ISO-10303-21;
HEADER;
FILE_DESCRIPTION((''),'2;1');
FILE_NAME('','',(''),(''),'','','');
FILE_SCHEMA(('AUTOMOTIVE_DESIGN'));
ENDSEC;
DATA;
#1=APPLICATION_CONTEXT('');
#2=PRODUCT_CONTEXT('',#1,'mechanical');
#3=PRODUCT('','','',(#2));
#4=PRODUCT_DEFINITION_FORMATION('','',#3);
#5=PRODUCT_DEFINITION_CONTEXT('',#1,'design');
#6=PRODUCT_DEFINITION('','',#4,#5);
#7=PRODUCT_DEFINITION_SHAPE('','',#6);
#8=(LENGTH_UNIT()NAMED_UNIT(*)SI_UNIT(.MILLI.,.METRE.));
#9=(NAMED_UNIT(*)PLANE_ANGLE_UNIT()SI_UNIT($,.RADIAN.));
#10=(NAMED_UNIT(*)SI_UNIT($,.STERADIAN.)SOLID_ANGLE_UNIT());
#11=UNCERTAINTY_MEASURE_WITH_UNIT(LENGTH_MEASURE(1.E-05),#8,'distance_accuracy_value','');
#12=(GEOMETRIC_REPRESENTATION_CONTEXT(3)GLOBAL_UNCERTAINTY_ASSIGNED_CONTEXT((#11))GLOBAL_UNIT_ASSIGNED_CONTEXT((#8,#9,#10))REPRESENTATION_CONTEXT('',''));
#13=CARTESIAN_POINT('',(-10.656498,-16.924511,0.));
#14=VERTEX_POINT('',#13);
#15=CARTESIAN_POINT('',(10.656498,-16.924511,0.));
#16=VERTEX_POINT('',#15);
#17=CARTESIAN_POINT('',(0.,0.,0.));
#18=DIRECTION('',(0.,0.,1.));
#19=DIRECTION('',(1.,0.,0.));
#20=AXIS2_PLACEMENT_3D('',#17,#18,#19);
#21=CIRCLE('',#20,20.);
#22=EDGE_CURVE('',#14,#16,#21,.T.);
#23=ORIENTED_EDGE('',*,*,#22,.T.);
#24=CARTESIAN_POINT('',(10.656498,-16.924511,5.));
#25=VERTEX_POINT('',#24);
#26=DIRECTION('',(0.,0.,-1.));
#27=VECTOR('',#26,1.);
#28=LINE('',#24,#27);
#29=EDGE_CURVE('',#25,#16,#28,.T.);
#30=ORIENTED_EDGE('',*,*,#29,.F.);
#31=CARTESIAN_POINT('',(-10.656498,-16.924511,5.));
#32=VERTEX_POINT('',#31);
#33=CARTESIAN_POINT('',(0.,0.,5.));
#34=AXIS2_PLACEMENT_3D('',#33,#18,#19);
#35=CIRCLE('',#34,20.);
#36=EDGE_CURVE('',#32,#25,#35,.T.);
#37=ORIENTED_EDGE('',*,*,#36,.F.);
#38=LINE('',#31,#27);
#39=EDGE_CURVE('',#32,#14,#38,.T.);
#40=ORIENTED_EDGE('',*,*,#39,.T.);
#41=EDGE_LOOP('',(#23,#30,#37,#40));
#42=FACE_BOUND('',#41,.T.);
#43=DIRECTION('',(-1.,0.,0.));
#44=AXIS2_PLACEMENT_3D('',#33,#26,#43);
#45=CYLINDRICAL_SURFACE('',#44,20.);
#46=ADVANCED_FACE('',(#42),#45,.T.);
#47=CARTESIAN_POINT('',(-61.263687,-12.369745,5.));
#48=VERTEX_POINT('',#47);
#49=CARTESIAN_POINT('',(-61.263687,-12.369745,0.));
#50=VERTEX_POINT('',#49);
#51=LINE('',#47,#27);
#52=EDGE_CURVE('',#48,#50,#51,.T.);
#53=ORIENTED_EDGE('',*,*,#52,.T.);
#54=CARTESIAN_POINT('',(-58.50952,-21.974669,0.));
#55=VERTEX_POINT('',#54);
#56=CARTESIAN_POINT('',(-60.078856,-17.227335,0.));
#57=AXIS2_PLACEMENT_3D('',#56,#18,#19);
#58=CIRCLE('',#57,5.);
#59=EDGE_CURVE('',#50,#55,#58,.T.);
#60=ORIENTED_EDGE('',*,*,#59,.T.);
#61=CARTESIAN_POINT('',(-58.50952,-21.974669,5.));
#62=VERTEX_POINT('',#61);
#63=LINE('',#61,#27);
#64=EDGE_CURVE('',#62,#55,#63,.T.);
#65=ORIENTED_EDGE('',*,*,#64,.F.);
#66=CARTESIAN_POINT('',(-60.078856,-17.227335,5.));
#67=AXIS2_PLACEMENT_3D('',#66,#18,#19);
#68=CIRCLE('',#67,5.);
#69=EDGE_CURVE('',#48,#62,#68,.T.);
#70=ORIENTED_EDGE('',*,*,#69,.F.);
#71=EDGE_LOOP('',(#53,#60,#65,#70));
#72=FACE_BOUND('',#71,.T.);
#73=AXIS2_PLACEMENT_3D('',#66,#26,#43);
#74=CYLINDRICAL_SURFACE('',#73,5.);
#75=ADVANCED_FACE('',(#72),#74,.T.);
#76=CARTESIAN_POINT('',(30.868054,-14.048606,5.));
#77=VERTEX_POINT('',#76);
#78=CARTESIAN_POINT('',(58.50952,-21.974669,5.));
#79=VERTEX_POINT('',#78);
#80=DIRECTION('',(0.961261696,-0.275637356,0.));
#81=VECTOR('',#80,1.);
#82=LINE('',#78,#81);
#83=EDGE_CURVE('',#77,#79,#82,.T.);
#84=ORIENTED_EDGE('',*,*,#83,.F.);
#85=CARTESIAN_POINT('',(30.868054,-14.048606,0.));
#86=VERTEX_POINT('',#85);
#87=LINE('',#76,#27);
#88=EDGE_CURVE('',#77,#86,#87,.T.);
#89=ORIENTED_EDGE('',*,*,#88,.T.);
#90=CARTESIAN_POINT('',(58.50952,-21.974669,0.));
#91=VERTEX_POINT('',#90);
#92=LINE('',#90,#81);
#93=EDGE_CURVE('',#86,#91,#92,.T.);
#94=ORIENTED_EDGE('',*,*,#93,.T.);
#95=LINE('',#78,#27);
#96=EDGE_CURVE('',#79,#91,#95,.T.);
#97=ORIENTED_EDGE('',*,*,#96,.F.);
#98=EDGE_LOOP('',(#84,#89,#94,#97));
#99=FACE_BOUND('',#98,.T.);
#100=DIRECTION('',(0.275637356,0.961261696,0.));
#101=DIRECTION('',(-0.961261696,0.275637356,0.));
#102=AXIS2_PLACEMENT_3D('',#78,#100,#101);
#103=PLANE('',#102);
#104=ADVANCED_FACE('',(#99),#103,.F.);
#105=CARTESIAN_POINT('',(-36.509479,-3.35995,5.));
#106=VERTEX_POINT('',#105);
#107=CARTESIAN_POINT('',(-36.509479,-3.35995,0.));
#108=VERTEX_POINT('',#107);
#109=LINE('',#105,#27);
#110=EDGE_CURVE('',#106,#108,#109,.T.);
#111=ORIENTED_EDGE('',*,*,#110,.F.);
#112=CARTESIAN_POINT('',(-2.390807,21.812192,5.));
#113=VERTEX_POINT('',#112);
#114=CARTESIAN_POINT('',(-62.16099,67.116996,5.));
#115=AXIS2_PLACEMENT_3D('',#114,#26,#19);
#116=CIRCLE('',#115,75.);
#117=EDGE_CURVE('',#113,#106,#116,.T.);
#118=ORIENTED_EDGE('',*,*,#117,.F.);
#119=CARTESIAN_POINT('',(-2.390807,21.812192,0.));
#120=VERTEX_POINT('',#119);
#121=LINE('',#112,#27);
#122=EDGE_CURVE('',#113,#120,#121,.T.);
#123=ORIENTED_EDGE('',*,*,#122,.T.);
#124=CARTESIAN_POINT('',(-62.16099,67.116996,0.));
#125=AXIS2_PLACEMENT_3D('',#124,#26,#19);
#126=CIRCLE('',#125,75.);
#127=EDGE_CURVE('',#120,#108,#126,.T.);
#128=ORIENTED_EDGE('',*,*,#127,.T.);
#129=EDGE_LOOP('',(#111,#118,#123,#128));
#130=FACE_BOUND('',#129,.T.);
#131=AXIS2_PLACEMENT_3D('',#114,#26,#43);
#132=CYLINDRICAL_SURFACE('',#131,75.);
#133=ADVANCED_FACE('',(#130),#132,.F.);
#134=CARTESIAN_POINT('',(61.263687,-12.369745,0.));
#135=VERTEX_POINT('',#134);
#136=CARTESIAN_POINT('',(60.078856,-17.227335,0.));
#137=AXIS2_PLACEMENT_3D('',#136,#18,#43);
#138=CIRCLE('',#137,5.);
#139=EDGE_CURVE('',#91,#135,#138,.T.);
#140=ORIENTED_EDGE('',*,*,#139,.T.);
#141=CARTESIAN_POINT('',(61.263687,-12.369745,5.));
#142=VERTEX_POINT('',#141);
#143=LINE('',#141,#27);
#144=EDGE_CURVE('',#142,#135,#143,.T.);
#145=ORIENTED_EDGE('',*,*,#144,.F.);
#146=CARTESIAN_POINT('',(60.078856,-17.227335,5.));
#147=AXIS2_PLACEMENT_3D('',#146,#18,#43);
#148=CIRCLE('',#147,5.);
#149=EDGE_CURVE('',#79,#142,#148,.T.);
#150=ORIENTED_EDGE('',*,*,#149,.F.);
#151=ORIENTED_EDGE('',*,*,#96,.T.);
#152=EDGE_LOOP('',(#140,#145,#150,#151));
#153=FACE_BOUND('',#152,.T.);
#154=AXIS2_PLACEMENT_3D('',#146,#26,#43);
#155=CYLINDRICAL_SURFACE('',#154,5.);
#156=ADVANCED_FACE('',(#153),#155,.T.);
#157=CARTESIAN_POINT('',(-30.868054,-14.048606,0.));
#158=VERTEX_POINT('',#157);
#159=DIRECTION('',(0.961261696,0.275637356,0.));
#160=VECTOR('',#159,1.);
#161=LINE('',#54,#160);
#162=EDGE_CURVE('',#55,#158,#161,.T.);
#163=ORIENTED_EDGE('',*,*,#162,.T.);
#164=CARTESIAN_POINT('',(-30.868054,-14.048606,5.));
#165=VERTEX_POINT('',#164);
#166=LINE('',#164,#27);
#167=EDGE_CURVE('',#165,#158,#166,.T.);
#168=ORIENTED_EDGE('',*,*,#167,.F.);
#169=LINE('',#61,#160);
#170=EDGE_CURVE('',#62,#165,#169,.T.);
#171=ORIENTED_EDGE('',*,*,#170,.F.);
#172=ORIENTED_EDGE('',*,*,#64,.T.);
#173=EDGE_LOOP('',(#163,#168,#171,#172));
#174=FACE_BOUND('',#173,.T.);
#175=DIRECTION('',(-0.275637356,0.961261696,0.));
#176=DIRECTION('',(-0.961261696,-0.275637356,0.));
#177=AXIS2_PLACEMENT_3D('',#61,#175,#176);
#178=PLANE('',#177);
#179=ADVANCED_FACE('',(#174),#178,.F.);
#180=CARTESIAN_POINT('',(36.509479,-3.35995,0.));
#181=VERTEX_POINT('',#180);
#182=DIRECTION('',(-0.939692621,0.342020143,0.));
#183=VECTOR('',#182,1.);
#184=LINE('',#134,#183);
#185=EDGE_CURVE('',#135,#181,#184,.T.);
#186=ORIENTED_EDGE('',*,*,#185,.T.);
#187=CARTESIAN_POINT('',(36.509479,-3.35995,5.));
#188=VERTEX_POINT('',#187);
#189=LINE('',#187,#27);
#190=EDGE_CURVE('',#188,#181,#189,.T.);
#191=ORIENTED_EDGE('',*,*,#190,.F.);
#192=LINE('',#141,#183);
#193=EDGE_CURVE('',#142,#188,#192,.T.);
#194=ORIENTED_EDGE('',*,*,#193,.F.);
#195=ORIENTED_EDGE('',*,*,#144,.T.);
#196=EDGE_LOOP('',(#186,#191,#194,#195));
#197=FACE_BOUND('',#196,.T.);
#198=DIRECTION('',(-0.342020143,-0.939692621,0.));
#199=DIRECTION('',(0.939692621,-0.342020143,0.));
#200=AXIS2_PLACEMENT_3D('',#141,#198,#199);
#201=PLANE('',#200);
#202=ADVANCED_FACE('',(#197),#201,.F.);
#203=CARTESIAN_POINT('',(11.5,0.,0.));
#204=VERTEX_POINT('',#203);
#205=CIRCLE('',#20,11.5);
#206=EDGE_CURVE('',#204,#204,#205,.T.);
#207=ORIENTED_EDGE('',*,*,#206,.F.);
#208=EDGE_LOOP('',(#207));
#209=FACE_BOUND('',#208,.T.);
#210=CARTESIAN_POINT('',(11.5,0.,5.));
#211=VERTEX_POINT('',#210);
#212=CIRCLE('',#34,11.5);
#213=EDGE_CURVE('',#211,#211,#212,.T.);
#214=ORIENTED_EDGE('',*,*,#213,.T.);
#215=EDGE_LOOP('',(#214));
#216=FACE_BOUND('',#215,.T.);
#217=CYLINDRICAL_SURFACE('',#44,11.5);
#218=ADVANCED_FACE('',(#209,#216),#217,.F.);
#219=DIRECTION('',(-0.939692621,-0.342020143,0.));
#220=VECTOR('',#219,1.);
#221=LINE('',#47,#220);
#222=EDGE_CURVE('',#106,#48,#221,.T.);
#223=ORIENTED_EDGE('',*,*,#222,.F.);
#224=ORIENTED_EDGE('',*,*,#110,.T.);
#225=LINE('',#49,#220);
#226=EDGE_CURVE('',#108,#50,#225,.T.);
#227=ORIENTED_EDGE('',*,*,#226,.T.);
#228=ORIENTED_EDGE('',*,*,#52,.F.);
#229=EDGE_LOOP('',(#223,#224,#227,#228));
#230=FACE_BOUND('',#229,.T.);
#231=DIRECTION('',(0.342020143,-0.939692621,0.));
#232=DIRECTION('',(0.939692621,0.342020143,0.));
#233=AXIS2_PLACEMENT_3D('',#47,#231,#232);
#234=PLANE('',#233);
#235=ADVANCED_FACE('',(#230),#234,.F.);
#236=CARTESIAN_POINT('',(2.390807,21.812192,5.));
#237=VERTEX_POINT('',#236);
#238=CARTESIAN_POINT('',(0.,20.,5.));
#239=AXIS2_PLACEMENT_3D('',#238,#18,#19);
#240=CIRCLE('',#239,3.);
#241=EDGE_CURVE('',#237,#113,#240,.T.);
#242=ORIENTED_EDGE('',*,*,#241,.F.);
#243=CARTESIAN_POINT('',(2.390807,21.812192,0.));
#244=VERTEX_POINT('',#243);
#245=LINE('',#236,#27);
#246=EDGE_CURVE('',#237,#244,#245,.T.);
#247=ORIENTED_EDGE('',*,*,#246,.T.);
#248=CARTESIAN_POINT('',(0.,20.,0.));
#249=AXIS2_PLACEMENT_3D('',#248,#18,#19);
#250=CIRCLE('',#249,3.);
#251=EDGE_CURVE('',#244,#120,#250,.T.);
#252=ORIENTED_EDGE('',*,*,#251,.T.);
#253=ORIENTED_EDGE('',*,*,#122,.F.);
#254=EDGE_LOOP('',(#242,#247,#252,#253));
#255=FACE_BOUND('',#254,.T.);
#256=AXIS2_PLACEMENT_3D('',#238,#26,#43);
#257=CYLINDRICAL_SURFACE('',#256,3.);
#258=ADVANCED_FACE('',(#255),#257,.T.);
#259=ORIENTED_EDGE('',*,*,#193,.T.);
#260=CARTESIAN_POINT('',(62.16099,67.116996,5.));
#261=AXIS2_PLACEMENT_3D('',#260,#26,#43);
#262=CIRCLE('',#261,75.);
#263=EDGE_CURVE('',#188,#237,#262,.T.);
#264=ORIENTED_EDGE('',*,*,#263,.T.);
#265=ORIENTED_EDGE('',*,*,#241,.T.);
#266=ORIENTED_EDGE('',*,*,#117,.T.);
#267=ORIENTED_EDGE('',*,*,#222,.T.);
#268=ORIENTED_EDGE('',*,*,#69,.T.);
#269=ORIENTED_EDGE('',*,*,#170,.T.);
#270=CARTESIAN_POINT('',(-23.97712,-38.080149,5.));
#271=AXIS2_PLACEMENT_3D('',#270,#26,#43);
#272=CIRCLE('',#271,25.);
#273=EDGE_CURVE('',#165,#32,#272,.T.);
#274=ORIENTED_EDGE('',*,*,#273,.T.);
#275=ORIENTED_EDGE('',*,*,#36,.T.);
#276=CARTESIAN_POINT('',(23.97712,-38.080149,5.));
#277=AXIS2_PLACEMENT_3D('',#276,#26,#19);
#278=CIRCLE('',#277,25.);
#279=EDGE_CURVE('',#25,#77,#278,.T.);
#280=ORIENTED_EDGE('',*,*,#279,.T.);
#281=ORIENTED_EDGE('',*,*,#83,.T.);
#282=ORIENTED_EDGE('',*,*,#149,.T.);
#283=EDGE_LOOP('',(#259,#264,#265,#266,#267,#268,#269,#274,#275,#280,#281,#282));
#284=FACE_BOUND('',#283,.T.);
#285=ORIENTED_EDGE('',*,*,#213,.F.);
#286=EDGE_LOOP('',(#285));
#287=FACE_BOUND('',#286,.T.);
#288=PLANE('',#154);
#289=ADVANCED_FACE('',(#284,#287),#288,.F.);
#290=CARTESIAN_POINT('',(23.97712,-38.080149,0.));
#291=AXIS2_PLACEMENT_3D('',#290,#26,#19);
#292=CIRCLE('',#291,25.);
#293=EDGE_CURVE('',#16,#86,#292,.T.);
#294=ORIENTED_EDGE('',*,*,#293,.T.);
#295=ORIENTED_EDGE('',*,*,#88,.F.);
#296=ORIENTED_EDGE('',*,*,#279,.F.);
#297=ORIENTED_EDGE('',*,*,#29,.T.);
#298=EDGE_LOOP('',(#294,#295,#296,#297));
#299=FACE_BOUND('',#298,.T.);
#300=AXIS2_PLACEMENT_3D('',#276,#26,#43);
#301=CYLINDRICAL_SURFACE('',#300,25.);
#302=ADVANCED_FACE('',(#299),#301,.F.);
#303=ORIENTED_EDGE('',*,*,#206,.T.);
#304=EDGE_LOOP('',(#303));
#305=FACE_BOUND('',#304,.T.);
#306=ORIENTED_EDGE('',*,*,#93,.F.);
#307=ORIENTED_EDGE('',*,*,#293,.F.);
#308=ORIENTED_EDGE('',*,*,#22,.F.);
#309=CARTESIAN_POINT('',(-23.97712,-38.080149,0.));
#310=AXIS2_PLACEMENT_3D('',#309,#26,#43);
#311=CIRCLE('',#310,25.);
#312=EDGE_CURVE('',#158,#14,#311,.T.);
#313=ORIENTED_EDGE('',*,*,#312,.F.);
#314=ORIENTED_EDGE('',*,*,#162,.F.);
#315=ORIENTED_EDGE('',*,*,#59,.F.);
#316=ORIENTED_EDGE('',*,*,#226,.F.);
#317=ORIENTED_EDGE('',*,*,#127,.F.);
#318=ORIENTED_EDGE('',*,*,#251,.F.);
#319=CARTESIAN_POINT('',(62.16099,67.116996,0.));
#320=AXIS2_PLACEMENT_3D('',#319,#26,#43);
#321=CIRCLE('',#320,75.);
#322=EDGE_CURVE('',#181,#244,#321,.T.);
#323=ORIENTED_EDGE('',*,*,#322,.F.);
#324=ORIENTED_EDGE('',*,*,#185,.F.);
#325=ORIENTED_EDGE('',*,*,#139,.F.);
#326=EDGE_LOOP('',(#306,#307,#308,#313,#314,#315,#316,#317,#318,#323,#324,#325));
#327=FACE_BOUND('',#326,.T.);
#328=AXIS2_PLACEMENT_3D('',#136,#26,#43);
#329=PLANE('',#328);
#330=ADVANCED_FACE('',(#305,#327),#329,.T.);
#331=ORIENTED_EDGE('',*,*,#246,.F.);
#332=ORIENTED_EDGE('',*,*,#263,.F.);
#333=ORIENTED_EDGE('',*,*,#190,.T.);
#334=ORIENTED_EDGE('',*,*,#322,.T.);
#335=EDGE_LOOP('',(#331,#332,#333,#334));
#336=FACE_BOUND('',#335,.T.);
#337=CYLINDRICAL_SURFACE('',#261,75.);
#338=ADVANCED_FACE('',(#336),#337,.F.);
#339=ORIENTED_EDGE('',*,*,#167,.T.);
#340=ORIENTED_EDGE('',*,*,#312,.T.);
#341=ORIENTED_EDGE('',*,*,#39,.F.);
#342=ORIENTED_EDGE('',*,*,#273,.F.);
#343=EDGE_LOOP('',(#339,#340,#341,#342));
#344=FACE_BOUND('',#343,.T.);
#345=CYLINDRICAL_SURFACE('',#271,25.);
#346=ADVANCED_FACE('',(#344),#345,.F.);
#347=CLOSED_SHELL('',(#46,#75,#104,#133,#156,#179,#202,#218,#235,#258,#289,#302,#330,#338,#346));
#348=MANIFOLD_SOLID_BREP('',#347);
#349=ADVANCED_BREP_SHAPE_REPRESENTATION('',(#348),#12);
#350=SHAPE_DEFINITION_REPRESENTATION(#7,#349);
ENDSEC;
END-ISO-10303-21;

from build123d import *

# Parameters (mm, degrees)
SKETCH1_R           = 11.5
BOSS_EXTRUDE1_DEPTH = 5


with BuildPart() as part:
    # Sketch1 → Boss-Extrude1 (new body)
    with BuildSketch(Plane.XY):
        with BuildLine():
            Line((58.509519869, -21.974669161), (30.868053734, -14.048606291))
            ThreePointArc((30.868053734, -14.048606291), (20.455340601, -13.329450296), (10.656497706, -16.924510529))
            ThreePointArc((10.656497706, -16.924510529), (0, -20), (-10.656497706, -16.924510529))
            ThreePointArc((-10.656497706, -16.924510529), (-20.455340601, -13.329450296), (-30.868053734, -14.048606291))
            Line((-30.868053734, -14.048606291), (-58.509519869, -21.974669161))
            ThreePointArc((-58.509519869, -21.974669161), (-64.885164476, -18.605521518), (-61.263687445, -12.369745374))
            Line((-61.263687445, -12.369745374), (-36.509479216, -3.359950405))
            ThreePointArc((-36.509479216, -3.359950405), (-17.634305645, 6.764909334), (-2.390807306, 21.81219216))
            ThreePointArc((-2.390807306, 21.81219216), (0, 23), (2.390807306, 21.81219216))
            ThreePointArc((2.390807306, 21.81219216), (17.634305645, 6.764909334), (36.509479216, -3.359950405))
            Line((36.509479216, -3.359950405), (61.263687445, -12.369745374))
            ThreePointArc((61.263687445, -12.369745374), (64.885164476, -18.605521518), (58.509519869, -21.974669161))
        make_face()
        Circle(SKETCH1_R, mode=Mode.SUBTRACT)
    extrude(amount=BOSS_EXTRUDE1_DEPTH)


solid = part.part
